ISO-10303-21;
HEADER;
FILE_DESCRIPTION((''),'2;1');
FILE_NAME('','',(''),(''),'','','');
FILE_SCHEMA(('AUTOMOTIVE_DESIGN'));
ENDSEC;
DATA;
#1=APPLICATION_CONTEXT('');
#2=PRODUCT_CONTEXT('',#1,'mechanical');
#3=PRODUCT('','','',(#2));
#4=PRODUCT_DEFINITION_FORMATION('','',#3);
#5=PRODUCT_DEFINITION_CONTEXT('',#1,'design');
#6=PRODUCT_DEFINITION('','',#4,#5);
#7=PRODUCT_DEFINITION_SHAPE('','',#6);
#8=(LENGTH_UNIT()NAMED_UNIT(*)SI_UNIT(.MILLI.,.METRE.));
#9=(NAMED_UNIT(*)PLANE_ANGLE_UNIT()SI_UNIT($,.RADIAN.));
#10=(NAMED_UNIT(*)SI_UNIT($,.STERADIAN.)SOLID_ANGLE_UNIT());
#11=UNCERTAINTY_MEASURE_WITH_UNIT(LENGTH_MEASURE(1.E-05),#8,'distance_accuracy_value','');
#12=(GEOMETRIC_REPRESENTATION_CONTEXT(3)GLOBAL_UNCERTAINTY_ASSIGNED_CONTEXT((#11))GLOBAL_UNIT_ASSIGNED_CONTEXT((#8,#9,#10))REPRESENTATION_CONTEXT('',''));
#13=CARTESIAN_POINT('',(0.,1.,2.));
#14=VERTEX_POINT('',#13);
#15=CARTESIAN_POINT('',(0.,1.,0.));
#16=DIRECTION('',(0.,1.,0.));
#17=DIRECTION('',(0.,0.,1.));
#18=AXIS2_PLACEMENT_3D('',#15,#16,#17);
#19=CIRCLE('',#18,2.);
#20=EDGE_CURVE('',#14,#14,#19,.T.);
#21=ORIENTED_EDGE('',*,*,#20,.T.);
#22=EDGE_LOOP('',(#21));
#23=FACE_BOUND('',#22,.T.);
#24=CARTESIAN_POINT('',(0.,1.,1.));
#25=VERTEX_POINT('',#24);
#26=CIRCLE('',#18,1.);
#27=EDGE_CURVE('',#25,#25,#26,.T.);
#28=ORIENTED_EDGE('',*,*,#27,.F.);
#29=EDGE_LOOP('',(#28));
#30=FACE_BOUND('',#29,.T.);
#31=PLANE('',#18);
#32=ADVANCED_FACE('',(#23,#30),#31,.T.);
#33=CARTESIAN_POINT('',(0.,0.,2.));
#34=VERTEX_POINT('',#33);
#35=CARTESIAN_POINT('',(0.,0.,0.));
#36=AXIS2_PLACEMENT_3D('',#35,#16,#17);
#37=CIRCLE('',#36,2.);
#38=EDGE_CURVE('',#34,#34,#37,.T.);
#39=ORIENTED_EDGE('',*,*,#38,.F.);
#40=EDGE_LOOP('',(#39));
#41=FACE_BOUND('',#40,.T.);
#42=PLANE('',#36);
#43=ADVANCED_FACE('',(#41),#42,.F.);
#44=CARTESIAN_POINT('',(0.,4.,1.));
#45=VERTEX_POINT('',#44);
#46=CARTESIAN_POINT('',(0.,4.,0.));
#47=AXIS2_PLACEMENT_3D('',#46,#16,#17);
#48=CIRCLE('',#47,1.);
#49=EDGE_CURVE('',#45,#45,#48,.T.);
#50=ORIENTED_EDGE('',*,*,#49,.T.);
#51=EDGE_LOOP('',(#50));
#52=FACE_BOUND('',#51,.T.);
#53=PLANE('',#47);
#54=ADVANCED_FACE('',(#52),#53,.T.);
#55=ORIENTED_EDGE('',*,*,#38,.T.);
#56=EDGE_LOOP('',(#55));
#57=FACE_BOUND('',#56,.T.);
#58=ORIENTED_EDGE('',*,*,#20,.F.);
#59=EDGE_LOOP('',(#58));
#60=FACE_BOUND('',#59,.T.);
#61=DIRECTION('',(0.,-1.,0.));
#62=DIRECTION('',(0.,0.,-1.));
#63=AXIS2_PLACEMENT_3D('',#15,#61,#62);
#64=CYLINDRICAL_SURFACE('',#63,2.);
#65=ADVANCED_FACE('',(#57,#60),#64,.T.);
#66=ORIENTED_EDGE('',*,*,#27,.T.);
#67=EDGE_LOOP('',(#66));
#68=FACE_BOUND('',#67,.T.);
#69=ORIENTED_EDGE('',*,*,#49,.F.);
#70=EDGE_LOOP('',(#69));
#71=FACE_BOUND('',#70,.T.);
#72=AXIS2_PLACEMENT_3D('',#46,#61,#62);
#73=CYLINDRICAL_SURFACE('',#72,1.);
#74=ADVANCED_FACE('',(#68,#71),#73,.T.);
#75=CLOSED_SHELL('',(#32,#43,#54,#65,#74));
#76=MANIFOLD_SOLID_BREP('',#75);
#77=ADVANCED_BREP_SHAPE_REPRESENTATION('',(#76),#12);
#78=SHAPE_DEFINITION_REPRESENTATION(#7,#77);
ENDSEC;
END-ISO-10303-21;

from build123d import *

# Parameters (mm, degrees)
SKETCH2_R           = 2
BOSS_EXTRUDE1_DEPTH = 1
SKETCH3_R           = 1
BOSS_EXTRUDE3_DEPTH = 3


with BuildPart() as part:
    # Sketch2 → Boss-Extrude1 (new body)
    with BuildSketch(Plane(origin=(0, 0, 0), x_dir=(1, 0, 0), z_dir=(0, 1, 0))):
        Circle(SKETCH2_R)
    extrude(amount=BOSS_EXTRUDE1_DEPTH)

    # Sketch3 → Boss-Extrude3 (add)
    with BuildSketch(Plane(origin=(0, 1, 0), x_dir=(1, 0, 0), z_dir=(0, 1, 0))):
        Circle(SKETCH3_R)
    extrude(amount=BOSS_EXTRUDE3_DEPTH)


solid = part.part
